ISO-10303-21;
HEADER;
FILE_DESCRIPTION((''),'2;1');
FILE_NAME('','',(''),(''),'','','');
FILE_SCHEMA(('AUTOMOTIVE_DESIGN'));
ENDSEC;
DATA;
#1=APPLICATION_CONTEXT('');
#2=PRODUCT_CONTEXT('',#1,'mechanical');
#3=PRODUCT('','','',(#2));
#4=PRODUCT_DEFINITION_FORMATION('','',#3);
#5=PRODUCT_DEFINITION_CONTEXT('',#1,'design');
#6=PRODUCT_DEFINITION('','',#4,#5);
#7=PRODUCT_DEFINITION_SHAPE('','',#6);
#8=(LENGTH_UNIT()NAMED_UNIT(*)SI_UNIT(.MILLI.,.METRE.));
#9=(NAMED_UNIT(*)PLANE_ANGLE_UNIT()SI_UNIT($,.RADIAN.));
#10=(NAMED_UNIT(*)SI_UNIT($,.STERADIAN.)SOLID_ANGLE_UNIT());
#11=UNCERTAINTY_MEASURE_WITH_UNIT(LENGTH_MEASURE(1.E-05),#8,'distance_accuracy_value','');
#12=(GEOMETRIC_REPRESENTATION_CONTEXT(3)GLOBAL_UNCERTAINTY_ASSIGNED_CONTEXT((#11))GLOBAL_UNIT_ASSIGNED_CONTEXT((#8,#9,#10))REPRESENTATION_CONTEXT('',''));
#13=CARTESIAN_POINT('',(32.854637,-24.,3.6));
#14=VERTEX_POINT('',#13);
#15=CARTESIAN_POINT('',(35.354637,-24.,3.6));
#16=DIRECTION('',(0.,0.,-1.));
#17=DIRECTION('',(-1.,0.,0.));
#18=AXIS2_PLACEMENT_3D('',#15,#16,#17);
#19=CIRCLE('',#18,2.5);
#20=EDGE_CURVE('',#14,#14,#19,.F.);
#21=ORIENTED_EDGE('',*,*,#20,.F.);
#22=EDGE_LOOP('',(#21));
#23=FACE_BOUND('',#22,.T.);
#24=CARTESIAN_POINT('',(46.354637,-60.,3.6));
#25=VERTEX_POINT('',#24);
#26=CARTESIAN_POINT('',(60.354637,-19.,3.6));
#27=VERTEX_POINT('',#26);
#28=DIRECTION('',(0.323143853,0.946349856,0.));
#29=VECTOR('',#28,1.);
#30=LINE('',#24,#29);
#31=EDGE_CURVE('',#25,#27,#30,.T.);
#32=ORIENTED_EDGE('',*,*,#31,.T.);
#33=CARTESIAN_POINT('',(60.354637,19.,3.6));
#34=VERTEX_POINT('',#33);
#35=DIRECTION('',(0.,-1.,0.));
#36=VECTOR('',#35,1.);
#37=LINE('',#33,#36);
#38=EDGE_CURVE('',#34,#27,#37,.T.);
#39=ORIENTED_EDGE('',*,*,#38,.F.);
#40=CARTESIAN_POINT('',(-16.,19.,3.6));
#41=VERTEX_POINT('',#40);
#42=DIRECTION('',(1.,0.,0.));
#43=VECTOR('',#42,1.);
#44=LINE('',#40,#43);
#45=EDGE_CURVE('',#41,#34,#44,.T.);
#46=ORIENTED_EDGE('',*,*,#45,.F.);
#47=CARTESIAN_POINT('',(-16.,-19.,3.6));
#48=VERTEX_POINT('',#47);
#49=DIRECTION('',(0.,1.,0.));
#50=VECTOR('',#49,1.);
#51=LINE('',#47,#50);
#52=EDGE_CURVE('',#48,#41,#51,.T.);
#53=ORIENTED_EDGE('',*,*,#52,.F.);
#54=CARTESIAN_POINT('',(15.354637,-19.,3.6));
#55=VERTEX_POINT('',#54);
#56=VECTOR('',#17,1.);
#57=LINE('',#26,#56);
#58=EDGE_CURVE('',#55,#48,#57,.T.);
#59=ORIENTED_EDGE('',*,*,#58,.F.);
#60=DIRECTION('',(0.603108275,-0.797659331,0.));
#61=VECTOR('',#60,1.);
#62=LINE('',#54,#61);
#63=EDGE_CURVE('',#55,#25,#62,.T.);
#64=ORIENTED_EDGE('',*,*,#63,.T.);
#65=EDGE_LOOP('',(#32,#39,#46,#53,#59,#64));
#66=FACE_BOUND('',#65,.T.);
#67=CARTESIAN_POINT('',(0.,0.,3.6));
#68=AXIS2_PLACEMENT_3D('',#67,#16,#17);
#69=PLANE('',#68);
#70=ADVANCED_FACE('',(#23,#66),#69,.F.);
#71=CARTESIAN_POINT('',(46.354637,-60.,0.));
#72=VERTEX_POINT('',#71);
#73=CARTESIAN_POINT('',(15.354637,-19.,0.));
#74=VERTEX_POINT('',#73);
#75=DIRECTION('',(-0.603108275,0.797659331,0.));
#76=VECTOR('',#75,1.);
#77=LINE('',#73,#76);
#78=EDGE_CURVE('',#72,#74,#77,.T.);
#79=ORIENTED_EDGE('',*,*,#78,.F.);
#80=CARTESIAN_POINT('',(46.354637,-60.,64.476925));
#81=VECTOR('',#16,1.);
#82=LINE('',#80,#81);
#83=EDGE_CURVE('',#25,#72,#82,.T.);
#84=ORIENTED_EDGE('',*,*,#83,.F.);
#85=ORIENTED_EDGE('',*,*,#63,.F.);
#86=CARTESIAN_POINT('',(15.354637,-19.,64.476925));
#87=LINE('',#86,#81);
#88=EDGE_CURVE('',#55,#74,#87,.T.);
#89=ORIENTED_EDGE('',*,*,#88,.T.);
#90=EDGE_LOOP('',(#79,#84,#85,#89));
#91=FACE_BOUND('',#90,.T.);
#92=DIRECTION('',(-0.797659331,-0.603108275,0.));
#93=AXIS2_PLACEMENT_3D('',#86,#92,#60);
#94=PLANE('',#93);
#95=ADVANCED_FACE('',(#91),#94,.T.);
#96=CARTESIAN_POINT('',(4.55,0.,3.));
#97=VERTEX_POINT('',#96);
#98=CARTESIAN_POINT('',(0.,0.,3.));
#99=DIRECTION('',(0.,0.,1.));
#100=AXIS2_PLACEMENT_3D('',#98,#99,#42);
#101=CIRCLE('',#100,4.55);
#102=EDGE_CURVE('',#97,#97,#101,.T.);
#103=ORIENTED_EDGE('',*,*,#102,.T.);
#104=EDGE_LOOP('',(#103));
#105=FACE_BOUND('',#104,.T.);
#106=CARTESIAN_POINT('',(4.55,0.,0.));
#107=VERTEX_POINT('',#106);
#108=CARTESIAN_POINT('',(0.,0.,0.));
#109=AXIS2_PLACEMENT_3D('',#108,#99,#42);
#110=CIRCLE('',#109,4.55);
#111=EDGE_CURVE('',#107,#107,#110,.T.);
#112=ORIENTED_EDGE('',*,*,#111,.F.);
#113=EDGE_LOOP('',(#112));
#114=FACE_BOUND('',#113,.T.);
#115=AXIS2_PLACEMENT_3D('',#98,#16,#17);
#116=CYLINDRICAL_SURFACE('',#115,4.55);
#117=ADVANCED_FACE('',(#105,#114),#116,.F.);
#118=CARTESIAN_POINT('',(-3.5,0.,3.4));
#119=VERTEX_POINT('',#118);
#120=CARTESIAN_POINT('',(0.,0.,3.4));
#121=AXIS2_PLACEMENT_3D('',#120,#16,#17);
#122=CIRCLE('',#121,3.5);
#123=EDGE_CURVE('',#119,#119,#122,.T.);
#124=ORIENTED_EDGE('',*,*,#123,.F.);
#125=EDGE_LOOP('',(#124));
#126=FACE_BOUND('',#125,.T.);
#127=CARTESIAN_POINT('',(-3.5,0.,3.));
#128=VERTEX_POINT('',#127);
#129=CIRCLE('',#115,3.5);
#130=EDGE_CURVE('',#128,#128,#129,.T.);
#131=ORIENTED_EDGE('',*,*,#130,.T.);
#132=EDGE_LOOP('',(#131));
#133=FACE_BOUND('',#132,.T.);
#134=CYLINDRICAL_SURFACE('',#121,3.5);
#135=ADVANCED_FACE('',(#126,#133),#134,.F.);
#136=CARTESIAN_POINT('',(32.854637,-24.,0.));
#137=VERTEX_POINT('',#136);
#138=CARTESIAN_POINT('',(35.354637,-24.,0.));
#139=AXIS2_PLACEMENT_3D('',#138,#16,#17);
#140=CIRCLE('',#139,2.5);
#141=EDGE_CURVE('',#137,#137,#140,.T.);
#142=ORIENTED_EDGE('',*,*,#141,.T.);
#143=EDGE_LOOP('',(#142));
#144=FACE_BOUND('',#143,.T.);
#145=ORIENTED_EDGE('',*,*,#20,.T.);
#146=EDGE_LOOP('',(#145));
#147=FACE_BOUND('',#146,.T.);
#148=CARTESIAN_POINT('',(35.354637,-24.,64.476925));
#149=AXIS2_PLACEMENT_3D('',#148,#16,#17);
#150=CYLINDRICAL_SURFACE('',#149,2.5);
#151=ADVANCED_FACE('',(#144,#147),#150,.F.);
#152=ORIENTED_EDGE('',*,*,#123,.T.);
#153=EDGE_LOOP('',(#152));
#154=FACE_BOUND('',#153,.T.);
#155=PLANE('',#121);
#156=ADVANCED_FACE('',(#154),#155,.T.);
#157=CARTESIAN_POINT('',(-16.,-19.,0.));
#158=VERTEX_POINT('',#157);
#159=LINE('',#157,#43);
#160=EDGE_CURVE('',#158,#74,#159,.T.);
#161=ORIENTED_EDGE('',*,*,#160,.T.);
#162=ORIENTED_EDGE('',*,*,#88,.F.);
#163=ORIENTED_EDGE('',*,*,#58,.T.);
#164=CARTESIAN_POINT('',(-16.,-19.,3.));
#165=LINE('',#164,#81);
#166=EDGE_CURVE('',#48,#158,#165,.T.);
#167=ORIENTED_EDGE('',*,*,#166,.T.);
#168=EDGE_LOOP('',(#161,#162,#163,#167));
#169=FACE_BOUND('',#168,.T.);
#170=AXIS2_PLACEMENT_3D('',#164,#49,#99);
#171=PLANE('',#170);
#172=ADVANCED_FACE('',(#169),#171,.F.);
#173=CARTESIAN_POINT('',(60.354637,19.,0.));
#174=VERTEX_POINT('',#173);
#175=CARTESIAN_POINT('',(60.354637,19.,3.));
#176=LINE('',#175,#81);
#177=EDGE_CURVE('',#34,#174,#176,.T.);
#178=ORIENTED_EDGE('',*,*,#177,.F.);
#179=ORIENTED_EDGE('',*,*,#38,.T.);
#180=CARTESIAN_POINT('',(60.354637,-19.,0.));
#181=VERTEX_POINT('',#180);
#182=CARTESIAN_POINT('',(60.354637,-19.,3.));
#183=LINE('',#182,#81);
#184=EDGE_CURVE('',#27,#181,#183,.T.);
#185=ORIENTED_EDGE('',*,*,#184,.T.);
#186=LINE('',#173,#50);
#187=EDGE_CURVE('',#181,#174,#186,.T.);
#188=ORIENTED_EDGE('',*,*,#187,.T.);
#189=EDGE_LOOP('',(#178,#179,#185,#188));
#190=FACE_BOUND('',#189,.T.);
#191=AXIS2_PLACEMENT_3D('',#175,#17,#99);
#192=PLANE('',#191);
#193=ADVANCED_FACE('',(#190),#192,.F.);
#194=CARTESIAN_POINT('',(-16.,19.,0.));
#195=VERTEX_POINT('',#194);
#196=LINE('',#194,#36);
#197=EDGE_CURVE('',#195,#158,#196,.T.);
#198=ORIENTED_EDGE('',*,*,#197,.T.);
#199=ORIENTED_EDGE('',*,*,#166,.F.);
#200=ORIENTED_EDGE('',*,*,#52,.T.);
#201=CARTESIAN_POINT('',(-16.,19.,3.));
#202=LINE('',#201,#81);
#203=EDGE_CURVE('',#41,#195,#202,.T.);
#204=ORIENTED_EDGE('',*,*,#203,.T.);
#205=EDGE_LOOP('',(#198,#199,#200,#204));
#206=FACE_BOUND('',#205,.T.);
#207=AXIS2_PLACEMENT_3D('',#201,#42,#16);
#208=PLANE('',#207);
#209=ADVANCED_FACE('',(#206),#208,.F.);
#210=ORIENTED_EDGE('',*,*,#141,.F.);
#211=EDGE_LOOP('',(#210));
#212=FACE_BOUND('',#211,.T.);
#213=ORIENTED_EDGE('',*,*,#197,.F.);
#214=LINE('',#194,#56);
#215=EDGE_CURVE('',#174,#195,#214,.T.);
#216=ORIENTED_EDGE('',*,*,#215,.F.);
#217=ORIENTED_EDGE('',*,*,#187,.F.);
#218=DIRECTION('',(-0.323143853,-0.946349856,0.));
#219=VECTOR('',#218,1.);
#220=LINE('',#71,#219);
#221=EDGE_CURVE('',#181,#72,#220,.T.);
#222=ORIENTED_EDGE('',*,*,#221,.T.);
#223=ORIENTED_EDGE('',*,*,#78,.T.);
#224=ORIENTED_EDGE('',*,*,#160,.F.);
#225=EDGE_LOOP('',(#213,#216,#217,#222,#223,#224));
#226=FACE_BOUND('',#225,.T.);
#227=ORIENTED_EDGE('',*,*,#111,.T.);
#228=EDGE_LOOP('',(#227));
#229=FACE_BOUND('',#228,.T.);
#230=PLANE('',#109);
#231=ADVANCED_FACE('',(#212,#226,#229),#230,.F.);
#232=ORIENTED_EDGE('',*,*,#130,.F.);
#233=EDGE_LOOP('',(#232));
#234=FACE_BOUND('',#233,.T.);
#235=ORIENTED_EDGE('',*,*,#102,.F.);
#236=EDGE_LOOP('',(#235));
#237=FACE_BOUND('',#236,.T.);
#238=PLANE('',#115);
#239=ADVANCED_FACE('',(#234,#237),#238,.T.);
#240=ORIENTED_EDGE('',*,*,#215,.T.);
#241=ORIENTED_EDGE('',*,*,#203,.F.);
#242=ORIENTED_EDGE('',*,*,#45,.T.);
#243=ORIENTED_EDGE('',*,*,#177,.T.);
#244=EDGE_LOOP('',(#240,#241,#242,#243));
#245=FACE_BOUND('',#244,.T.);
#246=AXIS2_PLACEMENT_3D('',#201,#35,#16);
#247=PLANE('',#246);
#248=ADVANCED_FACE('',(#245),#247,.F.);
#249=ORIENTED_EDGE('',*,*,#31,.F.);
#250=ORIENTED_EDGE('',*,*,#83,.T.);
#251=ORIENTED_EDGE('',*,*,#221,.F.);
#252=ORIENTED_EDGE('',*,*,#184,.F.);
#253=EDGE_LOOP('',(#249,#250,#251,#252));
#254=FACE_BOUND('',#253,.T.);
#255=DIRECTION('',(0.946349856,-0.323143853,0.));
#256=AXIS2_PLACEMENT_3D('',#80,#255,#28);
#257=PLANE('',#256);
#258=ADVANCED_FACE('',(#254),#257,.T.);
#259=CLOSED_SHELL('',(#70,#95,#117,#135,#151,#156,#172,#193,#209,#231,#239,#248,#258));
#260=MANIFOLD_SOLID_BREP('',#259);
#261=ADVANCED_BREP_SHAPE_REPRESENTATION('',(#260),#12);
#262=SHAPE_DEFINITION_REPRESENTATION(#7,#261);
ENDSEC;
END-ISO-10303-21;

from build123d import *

# Parameters (mm, degrees)
SKETCH1_W           = 76.354636869
SKETCH1_H           = 38
SKETCH1_R           = 4.55
BOSS_EXTRUDE1_DEPTH = 3
SKETCH2_W           = 76.354636869
SKETCH2_H           = 38
BOSS_EXTRUDE2_DEPTH = 0.6
SKETCH3_R           = 3.5
CUT_EXTRUDE1_DEPTH  = 0.4
SKETCH4_R           = 2.5
BOSS_EXTRUDE3_DEPTH = 3.6


with BuildPart() as part:
    # Sketch1 → Boss-Extrude1 (new body)
    with BuildSketch(Plane.XY):
        with Locations((22.177318435, 0)):
            Rectangle(SKETCH1_W, SKETCH1_H)
        Circle(SKETCH1_R, mode=Mode.SUBTRACT)
    extrude(amount=BOSS_EXTRUDE1_DEPTH)

    # Sketch2 → Boss-Extrude2 (add)
    with BuildSketch(Plane(origin=(0, 0, 3), x_dir=(-1, 0, 0), z_dir=(0, 0, -1))):
        with Locations((-22.177318435, 0)):
            Rectangle(SKETCH2_W, SKETCH2_H)
    extrude(amount=-BOSS_EXTRUDE2_DEPTH)

    # Sketch3 → Cut-Extrude1 (cut)
    with BuildSketch(Plane(origin=(0, 0, 3), x_dir=(-1, 0, 0), z_dir=(0, 0, -1))):
        Circle(SKETCH3_R)
    extrude(amount=-CUT_EXTRUDE1_DEPTH, mode=Mode.SUBTRACT)

    # Sketch4 → Boss-Extrude3 (add)
    with BuildSketch(Plane(origin=(0, 0, 0), x_dir=(-1, 0, 0), z_dir=(0, 0, -1))):
        Polygon((-15.354636869, -19), (-46.354636869, -60), (-60.354636869, -19), align=None)
        with Locations((-35.354636869, -24)):
            Circle(SKETCH4_R, mode=Mode.SUBTRACT)
    extrude(amount=-BOSS_EXTRUDE3_DEPTH)


solid = part.part
